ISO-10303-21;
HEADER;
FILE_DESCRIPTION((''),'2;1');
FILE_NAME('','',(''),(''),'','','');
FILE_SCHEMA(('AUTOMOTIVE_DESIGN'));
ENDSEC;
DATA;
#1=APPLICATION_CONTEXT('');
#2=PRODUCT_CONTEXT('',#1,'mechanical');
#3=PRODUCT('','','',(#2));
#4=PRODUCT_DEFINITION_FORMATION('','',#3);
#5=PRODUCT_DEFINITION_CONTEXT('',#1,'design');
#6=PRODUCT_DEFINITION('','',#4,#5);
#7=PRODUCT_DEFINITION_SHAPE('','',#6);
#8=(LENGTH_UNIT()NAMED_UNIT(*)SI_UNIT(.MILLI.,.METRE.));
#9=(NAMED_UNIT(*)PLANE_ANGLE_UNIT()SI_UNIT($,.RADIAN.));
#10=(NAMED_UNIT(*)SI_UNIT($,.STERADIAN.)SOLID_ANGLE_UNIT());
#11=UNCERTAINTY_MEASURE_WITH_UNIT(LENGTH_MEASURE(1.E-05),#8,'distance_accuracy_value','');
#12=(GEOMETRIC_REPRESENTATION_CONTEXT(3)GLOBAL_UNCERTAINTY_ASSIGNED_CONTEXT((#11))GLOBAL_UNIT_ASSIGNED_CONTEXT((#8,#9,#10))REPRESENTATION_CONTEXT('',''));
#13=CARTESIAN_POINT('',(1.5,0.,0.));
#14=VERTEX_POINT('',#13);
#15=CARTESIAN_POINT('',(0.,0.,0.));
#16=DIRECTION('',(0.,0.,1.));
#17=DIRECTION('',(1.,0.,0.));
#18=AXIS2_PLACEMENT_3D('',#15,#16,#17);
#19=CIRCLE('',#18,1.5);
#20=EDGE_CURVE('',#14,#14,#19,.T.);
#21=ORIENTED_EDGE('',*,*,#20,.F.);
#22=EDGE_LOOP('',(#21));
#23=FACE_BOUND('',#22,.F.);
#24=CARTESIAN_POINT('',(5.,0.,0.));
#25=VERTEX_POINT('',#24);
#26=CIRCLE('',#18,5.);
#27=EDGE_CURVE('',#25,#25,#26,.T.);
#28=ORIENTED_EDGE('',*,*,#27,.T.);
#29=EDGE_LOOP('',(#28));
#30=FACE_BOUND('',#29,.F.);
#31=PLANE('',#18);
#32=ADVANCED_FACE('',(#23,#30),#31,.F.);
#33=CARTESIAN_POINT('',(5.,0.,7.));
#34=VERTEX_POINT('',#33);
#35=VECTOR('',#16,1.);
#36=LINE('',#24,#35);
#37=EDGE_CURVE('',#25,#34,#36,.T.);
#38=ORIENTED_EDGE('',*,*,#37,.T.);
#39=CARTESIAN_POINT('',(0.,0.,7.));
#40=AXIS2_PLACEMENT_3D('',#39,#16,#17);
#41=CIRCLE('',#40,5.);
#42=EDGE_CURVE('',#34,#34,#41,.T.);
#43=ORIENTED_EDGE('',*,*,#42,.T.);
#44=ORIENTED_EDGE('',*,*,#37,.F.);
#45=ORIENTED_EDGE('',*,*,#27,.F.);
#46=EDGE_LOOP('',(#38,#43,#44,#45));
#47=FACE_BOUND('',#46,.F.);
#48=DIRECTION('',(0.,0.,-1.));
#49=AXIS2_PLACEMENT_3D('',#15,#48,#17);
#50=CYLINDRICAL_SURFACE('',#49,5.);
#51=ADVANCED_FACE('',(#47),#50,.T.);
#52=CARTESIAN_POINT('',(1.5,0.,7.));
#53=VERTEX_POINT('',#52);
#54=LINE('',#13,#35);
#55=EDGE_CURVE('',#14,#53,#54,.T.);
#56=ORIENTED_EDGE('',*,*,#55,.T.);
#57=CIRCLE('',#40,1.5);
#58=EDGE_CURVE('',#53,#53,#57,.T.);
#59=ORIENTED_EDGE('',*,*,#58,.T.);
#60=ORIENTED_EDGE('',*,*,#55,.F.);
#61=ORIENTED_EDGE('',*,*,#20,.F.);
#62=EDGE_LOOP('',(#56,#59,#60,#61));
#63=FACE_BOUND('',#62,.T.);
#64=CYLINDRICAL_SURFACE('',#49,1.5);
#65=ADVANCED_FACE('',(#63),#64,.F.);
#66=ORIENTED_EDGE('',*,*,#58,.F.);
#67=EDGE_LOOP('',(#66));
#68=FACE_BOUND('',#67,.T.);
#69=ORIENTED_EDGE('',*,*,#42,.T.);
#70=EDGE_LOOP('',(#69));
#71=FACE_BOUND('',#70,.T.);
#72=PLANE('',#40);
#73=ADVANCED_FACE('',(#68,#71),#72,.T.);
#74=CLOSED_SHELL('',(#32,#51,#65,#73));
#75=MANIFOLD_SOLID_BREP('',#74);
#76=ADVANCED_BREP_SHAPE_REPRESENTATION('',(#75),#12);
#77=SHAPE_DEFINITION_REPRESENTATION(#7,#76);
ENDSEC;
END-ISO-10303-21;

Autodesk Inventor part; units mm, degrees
ref_plane "YZ Plane" through (0, 0, 0) normal (1, 0, 0) x (0, 1, 0)
ref_plane "XZ Plane" through (0, 0, 0) normal (0, 1, 0) x (-1, 0, 0)
ref_plane "XY Plane" through (0, 0, 0) normal (0, 0, 1) x (1, 0, 0)
sketch "Boceto1" plane through (0, 0, 0) normal (0, 0, 1) x (1, 0, 0)
  circle A0 centre (0, 0) radius 1.5
  circle A1 centre (0, 0) radius 5
  dimension "d0" = 3
  dimension "d1" = 10
extrude "Extrusión1" add sketch "Boceto1" along normal blind 7
properties part number "elevacionCaneca" material "ABS NEGRO 4DLAB"
